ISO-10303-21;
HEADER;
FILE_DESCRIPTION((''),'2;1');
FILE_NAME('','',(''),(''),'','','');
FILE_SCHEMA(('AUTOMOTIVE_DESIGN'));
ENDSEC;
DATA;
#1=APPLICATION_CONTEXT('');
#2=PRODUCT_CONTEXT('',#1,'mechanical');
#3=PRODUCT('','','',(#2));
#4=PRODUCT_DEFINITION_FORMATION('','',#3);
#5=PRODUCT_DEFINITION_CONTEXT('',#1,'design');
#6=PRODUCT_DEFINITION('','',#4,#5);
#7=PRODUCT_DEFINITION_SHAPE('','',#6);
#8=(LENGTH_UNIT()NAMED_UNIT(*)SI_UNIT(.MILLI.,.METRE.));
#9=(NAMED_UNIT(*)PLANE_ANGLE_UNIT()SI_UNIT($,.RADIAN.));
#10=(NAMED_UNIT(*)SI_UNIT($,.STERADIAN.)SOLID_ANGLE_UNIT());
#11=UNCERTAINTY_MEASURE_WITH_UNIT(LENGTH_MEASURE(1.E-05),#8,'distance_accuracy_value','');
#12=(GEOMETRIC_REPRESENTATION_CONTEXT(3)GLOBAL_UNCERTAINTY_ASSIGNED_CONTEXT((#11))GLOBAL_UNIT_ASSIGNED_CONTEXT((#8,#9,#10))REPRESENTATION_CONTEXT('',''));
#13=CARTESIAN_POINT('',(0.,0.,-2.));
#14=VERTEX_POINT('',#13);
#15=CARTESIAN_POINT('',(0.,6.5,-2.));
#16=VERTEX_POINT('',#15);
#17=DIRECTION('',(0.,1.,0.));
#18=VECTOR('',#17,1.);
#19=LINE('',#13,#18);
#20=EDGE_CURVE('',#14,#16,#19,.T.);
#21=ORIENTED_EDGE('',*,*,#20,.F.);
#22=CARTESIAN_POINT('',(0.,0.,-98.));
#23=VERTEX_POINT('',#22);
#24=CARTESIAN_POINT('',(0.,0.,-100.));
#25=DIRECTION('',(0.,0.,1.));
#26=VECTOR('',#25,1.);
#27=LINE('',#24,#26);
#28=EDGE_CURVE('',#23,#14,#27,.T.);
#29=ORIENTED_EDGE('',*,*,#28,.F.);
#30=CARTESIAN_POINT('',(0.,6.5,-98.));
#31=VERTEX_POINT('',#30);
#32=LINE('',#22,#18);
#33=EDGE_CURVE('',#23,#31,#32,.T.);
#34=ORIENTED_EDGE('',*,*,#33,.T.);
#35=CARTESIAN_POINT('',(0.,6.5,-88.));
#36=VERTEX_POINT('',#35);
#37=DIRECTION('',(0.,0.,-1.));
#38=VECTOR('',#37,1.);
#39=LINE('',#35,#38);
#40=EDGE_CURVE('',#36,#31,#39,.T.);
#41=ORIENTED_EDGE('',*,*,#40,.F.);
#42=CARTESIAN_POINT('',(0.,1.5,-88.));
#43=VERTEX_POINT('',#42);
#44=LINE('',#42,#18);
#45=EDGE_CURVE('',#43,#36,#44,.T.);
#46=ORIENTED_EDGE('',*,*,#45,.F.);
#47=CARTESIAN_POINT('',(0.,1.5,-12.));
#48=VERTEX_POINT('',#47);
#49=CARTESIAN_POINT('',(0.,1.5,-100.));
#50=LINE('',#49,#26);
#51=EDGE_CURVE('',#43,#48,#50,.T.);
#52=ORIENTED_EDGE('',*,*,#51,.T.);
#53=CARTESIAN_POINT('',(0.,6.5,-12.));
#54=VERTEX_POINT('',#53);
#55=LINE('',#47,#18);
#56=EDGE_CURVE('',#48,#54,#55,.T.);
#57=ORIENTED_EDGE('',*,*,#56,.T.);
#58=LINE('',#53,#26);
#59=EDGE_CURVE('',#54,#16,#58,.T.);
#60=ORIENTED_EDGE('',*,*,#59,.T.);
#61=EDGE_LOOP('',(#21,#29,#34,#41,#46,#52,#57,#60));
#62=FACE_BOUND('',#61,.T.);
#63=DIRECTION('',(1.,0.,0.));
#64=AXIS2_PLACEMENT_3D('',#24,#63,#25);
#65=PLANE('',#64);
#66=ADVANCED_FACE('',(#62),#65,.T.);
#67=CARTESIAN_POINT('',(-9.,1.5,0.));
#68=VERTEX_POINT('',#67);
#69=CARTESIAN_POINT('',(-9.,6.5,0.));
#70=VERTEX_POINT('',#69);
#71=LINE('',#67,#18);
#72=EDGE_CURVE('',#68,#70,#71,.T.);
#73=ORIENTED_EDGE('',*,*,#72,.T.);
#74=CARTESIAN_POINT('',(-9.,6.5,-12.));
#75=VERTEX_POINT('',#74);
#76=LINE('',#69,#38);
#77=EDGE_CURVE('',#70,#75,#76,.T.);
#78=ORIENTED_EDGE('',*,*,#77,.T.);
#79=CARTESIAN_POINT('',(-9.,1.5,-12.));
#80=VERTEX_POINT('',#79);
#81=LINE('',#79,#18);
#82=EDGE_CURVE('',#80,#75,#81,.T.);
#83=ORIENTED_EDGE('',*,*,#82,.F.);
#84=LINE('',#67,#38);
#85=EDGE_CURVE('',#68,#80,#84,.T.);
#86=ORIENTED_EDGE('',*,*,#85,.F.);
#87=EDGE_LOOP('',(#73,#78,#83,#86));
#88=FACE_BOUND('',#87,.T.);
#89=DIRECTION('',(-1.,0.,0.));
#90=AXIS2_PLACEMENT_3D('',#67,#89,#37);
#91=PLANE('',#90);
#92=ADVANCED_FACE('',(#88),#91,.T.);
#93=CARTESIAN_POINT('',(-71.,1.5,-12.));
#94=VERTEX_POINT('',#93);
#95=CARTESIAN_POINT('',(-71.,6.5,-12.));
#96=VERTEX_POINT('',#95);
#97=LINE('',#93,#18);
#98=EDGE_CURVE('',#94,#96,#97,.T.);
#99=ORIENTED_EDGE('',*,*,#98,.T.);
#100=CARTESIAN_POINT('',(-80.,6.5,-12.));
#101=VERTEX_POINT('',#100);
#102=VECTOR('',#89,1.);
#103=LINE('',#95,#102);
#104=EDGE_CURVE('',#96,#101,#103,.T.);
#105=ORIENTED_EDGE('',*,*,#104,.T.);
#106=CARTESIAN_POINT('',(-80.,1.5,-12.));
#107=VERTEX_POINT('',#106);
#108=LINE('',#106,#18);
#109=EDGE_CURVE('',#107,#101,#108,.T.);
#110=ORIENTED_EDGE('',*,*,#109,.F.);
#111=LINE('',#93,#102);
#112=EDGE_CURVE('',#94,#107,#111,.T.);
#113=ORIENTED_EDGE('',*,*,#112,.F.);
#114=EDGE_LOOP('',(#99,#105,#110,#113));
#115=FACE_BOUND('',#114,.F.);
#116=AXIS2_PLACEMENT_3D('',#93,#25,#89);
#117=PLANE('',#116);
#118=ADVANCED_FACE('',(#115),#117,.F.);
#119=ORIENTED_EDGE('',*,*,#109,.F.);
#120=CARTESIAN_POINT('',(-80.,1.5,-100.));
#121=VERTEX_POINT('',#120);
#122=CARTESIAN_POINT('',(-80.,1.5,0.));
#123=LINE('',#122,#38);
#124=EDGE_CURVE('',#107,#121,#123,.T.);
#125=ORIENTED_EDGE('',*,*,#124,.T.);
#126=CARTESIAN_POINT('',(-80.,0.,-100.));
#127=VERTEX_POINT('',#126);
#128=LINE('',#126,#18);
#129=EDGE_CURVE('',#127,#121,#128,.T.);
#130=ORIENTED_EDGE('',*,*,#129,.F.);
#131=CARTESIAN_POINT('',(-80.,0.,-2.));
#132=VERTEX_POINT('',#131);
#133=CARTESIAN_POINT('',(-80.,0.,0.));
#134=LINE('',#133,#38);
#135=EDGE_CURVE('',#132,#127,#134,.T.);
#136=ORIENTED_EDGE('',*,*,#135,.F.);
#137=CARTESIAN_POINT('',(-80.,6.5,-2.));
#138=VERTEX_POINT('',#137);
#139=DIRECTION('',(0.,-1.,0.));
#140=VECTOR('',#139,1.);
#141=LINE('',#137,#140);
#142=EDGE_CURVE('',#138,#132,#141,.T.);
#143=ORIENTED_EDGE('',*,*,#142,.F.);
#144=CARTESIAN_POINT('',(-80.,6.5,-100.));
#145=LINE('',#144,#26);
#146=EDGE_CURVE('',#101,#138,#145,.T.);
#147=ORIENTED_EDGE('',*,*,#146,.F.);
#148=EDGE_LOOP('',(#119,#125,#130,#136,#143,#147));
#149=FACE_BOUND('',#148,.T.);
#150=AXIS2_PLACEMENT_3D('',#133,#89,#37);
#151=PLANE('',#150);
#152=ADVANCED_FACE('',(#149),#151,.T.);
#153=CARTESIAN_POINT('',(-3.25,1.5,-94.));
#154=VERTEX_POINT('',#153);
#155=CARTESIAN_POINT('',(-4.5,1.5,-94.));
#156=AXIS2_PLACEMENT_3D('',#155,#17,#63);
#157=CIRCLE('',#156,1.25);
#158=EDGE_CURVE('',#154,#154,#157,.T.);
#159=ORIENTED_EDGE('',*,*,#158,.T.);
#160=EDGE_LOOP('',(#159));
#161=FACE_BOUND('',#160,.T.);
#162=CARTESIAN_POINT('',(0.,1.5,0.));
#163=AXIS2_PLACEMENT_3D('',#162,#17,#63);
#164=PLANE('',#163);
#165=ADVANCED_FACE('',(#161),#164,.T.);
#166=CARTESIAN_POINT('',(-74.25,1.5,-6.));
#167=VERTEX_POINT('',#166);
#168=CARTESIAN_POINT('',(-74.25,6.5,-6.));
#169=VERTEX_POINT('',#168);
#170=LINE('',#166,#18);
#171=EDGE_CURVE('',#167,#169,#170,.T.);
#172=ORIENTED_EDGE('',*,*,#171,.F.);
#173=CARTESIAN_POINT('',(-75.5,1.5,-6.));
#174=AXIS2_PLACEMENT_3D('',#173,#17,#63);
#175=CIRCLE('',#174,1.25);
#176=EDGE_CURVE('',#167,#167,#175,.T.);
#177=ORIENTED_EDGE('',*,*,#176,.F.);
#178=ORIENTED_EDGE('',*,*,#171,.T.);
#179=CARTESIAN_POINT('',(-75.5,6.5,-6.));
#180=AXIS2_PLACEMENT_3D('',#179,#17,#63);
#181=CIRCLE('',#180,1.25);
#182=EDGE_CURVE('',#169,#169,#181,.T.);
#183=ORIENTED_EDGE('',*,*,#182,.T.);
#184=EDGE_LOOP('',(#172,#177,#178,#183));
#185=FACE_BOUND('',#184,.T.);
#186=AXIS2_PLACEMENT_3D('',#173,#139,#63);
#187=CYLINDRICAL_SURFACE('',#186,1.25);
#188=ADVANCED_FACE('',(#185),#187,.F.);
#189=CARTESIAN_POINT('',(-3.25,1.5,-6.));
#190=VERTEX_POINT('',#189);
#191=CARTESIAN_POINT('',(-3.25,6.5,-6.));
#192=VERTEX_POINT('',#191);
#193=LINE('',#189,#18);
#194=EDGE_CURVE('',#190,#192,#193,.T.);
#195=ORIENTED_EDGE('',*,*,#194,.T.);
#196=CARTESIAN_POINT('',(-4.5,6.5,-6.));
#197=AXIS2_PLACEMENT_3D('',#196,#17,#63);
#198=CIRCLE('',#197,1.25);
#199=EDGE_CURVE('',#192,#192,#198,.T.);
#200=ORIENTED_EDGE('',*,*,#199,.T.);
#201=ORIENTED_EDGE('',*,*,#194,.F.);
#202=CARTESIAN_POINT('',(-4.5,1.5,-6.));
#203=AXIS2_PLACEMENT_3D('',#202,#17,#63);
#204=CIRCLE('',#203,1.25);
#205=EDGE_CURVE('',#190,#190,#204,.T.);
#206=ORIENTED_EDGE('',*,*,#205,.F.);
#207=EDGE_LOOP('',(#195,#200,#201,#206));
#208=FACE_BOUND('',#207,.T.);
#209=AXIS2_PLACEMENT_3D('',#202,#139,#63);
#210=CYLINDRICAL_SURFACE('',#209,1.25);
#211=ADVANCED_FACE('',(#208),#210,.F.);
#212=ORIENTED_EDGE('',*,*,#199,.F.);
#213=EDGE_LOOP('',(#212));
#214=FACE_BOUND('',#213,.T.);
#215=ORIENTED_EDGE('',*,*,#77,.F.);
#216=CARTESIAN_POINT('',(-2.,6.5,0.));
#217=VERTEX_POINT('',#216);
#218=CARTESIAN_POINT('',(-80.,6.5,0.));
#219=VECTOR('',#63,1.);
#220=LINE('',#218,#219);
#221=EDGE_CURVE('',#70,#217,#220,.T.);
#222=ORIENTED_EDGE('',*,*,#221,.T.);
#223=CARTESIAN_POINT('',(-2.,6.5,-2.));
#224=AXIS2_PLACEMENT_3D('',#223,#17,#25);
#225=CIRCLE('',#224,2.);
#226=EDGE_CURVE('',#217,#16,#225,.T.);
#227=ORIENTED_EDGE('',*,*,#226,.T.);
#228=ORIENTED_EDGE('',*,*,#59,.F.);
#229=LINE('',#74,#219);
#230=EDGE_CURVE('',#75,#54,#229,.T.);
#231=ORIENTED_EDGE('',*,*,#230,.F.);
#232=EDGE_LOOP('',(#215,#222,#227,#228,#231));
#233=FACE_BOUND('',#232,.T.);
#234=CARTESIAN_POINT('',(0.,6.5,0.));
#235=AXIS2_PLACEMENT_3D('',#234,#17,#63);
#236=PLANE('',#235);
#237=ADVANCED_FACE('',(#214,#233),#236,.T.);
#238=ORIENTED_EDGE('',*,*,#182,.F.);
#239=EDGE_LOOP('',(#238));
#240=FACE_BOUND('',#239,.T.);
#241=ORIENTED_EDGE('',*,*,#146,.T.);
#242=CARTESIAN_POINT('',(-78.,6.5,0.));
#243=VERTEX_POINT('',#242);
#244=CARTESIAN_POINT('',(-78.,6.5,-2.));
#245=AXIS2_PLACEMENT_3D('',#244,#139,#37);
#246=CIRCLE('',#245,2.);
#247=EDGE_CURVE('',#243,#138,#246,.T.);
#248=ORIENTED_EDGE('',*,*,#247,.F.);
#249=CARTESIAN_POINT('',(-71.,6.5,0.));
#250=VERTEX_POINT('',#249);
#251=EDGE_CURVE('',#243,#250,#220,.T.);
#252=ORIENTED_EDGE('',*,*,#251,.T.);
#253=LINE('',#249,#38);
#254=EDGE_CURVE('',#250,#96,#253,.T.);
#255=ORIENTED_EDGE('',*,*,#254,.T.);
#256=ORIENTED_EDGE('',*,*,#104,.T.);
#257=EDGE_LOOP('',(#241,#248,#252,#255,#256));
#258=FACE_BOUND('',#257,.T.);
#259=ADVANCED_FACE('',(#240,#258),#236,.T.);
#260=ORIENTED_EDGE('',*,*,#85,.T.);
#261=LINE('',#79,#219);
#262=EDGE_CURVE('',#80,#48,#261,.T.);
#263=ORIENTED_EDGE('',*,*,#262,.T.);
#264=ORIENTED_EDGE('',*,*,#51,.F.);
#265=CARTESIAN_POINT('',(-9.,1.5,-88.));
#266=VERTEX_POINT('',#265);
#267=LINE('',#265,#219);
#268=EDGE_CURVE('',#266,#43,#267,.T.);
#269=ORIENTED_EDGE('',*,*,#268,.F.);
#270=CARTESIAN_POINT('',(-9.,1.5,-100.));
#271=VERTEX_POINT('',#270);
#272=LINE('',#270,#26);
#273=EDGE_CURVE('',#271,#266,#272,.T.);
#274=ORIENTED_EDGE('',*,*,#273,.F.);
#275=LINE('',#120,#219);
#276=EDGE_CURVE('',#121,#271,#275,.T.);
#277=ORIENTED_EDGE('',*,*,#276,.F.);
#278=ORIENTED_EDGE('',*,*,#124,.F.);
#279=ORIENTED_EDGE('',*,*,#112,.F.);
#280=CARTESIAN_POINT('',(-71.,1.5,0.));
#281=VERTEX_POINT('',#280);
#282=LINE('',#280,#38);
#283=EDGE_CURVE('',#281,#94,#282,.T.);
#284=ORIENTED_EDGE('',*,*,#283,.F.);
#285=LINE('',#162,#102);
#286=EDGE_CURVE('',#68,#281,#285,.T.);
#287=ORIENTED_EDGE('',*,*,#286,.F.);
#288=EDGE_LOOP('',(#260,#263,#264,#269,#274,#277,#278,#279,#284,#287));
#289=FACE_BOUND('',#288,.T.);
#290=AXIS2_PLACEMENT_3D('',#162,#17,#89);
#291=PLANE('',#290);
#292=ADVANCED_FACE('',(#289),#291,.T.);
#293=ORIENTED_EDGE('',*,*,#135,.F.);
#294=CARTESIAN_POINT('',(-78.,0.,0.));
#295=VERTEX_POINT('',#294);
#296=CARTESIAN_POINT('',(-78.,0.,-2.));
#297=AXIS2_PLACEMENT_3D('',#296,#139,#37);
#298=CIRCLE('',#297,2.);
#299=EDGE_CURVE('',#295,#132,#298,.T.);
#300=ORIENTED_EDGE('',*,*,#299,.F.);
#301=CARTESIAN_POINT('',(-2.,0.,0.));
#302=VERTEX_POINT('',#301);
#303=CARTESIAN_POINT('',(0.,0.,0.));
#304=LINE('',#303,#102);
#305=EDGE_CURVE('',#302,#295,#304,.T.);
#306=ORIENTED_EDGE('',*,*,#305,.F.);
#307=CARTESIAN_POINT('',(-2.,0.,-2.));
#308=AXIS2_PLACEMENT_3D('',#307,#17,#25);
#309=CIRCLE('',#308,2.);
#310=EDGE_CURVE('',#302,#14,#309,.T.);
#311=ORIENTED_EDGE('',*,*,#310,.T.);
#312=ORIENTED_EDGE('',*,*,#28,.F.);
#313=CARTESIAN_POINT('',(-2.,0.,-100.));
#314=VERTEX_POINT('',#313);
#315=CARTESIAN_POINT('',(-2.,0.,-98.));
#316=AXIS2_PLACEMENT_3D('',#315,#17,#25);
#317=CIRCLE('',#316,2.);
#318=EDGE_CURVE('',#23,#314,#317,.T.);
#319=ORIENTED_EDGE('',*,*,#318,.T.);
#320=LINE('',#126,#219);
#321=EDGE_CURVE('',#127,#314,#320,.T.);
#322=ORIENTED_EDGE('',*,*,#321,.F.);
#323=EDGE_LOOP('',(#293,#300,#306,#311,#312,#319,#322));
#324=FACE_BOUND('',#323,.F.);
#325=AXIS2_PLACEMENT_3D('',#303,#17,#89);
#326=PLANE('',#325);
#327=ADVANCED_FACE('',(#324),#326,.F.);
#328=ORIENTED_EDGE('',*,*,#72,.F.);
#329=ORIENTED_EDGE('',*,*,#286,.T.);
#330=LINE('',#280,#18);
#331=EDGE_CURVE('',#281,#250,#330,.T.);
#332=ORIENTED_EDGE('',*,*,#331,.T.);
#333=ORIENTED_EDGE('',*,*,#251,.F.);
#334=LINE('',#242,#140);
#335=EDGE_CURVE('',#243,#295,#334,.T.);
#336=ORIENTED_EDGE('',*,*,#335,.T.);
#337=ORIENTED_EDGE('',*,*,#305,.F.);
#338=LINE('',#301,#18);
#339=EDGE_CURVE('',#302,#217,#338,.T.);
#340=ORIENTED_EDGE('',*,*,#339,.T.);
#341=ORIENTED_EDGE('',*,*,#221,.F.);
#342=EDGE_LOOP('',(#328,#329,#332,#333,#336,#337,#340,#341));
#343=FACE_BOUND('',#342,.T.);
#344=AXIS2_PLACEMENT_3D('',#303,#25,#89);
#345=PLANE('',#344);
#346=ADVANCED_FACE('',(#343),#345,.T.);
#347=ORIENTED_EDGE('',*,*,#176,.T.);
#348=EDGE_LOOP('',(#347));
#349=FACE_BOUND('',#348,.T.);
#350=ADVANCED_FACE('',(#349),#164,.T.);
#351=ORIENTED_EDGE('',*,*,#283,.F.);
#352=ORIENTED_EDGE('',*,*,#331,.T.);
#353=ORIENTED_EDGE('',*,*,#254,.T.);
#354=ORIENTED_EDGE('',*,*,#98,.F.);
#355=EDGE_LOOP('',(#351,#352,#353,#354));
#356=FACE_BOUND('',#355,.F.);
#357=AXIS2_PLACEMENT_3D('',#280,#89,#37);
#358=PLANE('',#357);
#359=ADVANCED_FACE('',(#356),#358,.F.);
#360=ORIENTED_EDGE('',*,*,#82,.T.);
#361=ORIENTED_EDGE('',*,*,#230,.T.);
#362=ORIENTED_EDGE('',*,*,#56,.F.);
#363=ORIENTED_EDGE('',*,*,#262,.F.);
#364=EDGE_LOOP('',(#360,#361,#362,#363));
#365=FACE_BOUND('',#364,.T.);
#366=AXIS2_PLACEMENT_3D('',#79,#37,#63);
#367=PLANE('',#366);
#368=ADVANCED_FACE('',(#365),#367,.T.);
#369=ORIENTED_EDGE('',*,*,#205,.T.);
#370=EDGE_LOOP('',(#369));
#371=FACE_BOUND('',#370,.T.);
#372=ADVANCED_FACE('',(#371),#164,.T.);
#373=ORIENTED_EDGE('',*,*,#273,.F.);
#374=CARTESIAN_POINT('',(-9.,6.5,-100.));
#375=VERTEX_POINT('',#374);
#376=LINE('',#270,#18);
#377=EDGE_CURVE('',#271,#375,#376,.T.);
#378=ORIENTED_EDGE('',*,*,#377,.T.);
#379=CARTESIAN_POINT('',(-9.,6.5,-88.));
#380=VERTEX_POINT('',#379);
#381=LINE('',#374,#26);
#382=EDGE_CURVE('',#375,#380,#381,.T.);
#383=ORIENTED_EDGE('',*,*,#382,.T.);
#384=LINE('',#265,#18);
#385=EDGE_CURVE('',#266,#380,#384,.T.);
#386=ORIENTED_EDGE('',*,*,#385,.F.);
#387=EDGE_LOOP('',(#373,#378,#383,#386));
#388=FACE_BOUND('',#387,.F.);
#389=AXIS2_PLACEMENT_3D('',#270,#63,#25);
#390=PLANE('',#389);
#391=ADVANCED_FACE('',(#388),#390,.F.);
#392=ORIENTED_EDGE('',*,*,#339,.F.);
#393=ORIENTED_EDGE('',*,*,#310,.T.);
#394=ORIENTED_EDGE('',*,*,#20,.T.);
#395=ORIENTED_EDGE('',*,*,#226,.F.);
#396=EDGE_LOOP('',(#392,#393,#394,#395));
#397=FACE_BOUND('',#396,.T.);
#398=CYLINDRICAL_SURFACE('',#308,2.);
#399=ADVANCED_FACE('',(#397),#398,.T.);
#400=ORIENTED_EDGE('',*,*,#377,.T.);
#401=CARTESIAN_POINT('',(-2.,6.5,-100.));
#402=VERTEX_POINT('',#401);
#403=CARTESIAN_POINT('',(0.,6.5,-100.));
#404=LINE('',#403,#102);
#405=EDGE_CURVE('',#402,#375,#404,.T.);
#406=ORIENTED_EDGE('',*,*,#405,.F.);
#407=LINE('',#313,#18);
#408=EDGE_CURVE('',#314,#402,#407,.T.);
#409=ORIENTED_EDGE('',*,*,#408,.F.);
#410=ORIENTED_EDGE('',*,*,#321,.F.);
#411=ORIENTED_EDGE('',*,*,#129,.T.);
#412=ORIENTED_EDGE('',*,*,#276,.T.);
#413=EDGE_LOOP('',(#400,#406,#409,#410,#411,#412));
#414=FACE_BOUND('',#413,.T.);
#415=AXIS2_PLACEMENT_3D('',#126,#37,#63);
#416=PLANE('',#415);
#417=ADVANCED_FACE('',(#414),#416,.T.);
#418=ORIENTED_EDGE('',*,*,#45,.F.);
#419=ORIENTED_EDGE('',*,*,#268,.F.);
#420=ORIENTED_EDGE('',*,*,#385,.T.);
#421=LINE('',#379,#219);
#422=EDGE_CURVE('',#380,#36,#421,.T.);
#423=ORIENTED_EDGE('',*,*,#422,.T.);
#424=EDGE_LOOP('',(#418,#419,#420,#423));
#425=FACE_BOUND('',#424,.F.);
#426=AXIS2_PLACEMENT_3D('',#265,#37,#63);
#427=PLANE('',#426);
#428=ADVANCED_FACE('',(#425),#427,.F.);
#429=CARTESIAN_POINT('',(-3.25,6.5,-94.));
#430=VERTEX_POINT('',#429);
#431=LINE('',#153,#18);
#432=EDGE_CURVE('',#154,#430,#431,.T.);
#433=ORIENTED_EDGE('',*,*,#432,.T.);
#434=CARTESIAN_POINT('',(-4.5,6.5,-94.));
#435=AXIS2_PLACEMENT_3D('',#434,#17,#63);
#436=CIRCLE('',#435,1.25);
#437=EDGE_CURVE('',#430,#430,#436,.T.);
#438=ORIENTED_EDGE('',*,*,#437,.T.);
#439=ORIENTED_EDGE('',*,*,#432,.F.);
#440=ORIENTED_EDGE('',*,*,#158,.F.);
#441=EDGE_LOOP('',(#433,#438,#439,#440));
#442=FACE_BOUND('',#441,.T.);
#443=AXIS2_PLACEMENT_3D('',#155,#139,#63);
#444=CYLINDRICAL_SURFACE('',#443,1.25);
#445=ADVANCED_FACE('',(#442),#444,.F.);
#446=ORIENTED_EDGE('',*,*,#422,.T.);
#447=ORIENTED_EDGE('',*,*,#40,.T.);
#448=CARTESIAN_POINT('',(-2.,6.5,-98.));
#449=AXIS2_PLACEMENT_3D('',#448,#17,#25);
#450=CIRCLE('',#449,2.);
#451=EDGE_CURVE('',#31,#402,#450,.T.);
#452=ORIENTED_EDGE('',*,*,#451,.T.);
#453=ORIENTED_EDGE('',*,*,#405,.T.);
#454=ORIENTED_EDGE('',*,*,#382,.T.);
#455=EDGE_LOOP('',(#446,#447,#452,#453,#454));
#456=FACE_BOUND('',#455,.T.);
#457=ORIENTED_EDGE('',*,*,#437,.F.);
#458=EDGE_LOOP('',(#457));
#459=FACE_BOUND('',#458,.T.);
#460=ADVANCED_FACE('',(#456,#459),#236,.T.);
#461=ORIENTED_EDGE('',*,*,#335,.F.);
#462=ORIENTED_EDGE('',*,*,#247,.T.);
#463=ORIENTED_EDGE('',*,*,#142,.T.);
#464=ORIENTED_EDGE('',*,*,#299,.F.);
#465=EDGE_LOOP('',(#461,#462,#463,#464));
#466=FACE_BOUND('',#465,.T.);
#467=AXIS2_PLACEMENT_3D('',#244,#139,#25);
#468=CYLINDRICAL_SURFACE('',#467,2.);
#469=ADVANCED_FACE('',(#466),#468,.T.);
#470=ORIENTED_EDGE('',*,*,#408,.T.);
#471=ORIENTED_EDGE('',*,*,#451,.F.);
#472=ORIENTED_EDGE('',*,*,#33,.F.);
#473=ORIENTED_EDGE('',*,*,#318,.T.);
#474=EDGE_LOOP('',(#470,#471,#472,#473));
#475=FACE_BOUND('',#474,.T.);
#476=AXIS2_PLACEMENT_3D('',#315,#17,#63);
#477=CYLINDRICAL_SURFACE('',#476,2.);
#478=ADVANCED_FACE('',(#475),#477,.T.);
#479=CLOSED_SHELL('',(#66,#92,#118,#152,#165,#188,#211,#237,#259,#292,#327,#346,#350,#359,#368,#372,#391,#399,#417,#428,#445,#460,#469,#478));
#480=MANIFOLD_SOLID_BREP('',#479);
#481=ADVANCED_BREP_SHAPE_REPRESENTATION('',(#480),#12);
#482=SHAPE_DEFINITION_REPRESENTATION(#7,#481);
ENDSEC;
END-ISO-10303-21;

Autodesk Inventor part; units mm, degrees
ref_plane "YZ Plane" through (0, 0, 0) normal (1, 0, 0) x (0, 1, 0)
ref_plane "XZ Plane" through (0, 0, 0) normal (0, 1, 0) x (-1, 0, 0)
ref_plane "XY Plane" through (0, 0, 0) normal (0, 0, 1) x (1, 0, 0)
sketch "Эскиз1" plane through (0, 0, 0) normal (0, 1, 0) x (-1, 0, 0)
  line L0 (0, 0) -> (80, 0)
  line L1 (80, 0) -> (80, -100)
  line L2 (80, -100) -> (0, -100)
  line L3 (0, -100) -> (0, 0)
  dimension "d0" = 80
  dimension "d1" = 100
extrude "Выдавливание1" add sketch "Эскиз1" along normal blind 1.5
sketch "Эскиз2" plane through (0, 1.5, 0) normal (0, 1, 0) x (1, 0, 0)
  circle A0 centre (-4.5, 94) radius 1.25
  circle A1 centre (-4.5, 6) radius 1.25
  circle A2 centre (-75.5, 6) radius 1.25
  line L0 (0, 0) -> (0, 100) projected
  line L1 (0, 100) -> (-80, 100) projected
  line L2 (-80, 0) -> (0, 0) projected
  line L3 (-80, 100) -> (-80, 0) projected
  dimension "d4" = 2.5
  dimension "d5" = 2.5
  dimension "d6" = 2.5
  dimension "d7" = 4.5
  dimension "d8" = 6
  dimension "d9" = 4.5
  dimension "d10" = 6
  dimension "d11" = 4.5
  dimension "d12" = 6
sketch "Эскиз3" plane through (0, 1.5, 0) normal (0, 1, 0) x (1, 0, 0)
  line L0 (-80, 0) -> (0, 0) projected
  line L1 (0, 0) -> (-9, 0)
  line L2 (-9, 0) -> (-9, 12)
  line L3 (-9, 12) -> (0, 12)
  line L4 (0, 12) -> (0, 0)
  line L5 (0, 100) -> (-80, 100) projected
  line L6 (0, 100) -> (-9, 100)
  line L7 (-9, 100) -> (-9, 88)
  line L8 (-9, 88) -> (0, 88)
  line L9 (0, 88) -> (0, 100)
  line L10 (-80, 100) -> (-80, 0) projected
  line L11 (-80, 0) -> (-71, 0)
  line L12 (-71, 0) -> (-71, 12)
  line L13 (-71, 12) -> (-80, 12)
  line L14 (-80, 12) -> (-80, 0)
  dimension "d13" = 9
  dimension "d14" = 12
  dimension "d15" = 9
  dimension "d16" = 12
  dimension "d17" = 9
  dimension "d18" = 12
extrude "Выдавливание2" add sketch "Эскиз3" along normal blind 5
extrude "Выдавливание3" cut sketch "Эскиз2" along normal blind 5 contours A0 | A1 | A2
fillet "Сопряжение1" radius 2 3 edges at (0, 3.25, 0) (0, 3.25, -100) (-80, 3.25, 0)
properties part number "FLC_Holder"
